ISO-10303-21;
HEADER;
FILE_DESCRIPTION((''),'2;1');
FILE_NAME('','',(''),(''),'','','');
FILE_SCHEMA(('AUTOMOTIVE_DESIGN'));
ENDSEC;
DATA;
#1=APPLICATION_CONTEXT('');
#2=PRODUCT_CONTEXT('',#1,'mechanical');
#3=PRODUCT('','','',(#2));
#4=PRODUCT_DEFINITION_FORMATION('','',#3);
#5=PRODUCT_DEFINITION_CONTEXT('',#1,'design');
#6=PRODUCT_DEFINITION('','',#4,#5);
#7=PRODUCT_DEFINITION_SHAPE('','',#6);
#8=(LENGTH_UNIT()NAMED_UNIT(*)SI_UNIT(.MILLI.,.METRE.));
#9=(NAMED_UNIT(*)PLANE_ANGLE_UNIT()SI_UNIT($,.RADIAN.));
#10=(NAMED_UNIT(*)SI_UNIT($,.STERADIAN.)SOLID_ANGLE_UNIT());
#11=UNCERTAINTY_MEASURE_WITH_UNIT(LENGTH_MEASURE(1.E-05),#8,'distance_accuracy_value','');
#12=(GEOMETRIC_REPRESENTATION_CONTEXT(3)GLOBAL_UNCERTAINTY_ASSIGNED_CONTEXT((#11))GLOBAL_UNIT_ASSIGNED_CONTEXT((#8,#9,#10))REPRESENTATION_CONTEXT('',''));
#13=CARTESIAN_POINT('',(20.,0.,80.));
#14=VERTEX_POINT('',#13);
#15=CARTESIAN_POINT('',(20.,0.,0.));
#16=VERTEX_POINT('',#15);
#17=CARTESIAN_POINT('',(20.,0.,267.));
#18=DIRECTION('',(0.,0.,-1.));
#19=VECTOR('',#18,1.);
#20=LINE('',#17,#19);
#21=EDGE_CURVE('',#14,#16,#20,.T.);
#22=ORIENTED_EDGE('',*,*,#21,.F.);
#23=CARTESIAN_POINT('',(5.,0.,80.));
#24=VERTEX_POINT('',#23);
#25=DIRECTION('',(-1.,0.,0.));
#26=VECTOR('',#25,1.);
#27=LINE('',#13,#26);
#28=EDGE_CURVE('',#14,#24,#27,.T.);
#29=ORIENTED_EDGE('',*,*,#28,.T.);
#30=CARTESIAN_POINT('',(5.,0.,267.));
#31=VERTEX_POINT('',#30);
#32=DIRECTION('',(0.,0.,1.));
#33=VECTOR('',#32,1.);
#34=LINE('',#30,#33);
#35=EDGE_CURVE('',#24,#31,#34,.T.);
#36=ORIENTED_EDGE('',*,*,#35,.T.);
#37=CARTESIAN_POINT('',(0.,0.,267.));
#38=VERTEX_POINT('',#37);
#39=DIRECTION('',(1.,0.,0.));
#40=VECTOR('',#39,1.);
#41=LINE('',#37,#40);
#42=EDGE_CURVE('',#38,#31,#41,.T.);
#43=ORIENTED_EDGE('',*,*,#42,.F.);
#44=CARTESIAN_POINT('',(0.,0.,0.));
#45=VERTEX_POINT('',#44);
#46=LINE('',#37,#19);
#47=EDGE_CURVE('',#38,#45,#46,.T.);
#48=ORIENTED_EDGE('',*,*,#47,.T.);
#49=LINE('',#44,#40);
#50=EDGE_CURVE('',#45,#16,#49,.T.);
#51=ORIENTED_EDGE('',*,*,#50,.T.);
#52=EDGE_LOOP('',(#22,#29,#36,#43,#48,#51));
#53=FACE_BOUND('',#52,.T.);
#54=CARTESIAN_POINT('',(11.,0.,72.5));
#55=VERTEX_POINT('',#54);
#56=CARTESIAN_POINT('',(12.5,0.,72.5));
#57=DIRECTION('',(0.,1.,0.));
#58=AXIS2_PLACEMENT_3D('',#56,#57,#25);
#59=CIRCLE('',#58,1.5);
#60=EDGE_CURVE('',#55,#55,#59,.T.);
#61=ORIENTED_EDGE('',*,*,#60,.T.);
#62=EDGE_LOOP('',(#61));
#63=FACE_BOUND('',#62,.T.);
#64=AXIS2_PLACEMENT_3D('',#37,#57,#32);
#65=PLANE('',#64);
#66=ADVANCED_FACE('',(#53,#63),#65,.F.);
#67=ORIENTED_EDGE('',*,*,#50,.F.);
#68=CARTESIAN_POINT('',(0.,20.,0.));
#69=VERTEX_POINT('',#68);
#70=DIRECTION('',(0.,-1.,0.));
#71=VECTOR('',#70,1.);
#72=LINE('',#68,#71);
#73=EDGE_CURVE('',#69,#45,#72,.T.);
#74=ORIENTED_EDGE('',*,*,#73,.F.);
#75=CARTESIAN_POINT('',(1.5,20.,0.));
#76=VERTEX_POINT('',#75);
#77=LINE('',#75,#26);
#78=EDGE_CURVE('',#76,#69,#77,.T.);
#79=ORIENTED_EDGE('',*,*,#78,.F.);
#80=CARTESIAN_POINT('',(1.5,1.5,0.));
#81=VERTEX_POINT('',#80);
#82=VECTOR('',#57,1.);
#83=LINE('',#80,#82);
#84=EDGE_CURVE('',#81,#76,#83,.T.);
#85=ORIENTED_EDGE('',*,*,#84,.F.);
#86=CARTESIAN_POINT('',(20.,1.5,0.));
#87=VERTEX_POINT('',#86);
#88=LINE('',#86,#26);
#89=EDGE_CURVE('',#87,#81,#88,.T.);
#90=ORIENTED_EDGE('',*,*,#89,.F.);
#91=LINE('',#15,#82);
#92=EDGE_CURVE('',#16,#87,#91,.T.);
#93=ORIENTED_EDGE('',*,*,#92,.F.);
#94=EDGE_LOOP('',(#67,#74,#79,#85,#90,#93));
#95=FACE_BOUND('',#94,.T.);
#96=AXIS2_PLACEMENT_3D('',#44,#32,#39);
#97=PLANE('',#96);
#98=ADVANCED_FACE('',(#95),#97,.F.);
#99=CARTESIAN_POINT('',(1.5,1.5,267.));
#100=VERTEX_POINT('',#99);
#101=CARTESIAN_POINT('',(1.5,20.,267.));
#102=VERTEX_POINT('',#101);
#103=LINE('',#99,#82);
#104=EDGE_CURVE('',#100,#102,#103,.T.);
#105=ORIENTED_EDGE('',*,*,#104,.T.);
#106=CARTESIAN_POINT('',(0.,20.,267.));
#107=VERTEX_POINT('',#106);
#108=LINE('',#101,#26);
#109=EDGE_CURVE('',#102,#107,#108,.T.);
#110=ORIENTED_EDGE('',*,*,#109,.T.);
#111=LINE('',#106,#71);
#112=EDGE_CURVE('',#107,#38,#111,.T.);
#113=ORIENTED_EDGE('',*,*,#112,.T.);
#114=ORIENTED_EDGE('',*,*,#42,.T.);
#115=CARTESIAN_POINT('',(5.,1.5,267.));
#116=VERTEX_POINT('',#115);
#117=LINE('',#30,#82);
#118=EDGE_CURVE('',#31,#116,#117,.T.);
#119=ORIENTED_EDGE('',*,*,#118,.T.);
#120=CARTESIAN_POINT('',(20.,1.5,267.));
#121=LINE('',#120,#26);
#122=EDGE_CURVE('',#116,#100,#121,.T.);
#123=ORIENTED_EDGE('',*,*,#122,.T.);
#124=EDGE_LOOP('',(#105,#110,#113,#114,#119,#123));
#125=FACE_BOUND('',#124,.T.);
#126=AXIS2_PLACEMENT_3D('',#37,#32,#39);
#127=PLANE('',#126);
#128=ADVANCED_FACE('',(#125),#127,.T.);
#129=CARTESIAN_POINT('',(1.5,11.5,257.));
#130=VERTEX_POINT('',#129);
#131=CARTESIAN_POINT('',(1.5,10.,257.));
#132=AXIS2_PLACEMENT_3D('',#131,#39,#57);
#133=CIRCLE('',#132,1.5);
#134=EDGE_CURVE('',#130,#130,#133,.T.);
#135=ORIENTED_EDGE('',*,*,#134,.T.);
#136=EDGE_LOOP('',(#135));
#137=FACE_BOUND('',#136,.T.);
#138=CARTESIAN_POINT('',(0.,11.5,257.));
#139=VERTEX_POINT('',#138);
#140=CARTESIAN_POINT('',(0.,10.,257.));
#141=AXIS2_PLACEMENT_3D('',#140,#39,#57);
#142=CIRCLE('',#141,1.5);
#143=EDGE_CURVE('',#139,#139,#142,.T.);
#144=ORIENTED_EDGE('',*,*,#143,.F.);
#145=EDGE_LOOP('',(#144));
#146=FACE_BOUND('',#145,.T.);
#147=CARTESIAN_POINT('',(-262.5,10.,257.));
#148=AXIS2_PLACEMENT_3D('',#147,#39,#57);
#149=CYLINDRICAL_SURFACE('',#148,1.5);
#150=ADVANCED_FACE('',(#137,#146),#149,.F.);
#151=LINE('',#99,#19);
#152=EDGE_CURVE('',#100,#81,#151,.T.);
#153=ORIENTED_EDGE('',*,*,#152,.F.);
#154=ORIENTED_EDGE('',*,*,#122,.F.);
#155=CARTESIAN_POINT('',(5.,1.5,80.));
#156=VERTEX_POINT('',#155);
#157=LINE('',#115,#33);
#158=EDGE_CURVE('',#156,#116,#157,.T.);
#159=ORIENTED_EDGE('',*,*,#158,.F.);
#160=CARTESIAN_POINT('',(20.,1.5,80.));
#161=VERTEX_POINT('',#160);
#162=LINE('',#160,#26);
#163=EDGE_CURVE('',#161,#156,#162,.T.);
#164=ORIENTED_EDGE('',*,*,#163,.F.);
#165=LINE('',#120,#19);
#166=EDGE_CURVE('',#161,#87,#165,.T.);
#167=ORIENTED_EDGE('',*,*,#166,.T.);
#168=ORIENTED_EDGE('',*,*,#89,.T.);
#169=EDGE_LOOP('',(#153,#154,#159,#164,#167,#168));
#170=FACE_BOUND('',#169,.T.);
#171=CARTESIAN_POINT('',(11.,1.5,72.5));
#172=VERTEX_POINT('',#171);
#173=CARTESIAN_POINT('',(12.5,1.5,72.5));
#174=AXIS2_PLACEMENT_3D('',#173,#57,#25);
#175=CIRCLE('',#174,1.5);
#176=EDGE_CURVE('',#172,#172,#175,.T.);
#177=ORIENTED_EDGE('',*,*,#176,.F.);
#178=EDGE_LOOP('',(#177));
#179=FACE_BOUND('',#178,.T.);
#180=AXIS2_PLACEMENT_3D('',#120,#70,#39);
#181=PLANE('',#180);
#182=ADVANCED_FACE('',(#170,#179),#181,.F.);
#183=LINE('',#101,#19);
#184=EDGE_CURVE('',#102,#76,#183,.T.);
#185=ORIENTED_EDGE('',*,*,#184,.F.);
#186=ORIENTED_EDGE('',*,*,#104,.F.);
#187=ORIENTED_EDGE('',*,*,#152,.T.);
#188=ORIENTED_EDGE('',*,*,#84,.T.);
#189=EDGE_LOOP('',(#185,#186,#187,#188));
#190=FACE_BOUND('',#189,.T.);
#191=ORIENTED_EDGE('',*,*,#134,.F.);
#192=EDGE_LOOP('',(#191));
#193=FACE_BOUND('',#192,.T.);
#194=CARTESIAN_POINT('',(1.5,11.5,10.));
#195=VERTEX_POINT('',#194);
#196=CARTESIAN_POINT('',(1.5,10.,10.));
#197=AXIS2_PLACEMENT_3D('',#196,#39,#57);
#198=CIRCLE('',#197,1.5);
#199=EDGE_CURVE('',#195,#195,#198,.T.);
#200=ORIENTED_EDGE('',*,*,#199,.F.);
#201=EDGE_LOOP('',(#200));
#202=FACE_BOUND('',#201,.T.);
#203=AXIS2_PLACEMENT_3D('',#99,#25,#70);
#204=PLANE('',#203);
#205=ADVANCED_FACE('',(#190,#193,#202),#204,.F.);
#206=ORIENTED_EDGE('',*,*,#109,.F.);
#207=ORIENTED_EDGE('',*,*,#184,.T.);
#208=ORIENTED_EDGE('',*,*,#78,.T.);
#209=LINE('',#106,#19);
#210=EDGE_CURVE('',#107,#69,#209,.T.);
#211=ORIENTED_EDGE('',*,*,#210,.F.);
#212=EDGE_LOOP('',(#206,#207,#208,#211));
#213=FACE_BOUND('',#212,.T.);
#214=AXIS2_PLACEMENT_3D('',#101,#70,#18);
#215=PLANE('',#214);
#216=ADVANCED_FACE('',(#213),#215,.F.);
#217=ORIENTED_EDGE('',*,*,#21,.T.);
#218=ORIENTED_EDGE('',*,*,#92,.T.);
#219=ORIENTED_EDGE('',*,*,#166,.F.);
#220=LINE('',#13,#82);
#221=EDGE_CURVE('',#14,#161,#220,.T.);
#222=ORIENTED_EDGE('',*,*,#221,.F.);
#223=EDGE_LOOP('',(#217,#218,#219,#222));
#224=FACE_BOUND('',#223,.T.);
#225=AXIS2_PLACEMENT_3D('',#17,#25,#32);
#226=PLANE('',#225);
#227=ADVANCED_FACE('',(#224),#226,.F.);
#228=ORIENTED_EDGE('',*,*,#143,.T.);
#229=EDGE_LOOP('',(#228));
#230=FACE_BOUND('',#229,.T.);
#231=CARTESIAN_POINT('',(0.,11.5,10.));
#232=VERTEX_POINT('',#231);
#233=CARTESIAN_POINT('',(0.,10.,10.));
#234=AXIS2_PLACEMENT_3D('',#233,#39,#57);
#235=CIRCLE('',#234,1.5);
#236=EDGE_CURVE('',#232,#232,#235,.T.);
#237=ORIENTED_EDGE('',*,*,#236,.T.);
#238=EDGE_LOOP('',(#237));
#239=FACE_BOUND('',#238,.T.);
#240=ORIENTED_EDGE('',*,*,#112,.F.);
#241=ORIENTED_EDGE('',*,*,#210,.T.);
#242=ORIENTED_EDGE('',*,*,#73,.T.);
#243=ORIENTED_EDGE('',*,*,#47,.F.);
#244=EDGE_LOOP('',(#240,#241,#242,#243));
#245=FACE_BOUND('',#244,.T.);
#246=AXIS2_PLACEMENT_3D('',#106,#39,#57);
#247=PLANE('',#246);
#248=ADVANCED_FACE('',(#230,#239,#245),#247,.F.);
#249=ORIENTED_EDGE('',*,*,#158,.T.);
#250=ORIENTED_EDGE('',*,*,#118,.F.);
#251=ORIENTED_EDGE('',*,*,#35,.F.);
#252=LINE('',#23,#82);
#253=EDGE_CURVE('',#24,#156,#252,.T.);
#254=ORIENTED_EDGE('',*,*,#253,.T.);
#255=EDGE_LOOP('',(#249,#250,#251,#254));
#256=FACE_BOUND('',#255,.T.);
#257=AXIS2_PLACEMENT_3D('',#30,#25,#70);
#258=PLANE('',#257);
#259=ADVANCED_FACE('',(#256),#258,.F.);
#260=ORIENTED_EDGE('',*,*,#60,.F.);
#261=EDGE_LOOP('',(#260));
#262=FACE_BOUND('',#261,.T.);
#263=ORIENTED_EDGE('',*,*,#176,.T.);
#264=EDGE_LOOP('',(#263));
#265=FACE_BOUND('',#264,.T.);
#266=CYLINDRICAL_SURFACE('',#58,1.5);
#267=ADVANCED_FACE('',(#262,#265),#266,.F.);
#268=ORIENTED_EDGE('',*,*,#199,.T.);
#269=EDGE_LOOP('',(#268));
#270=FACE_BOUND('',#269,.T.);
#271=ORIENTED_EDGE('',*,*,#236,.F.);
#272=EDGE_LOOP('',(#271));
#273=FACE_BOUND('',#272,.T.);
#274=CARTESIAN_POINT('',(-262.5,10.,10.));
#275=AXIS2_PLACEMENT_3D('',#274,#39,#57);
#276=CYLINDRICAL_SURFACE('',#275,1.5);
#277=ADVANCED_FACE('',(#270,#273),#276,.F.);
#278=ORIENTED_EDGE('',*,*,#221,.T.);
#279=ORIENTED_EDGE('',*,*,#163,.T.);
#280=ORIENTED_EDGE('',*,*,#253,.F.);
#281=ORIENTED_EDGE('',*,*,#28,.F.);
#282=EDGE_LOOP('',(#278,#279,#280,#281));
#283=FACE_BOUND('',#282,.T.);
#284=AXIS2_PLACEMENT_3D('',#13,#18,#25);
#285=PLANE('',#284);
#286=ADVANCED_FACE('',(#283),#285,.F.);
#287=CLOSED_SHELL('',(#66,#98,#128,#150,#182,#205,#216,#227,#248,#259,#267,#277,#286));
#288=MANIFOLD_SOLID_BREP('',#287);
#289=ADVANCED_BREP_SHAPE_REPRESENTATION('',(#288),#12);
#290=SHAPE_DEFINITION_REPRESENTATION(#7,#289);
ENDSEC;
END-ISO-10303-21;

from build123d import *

# Parameters (mm, degrees)
EXTRUSION1_DEPTH = 267
ESQUISSE2_R      = 1.5
ESQUISSE2_W      = 15
ESQUISSE2_H      = 187
EXTRUSION2_DEPTH = 269.38638192
ESQUISSE3_R      = 1.5
EXTRUSION3_DEPTH = 264


with BuildPart() as part:
    # Esquisse1 → Extrusion1 (new body)
    with BuildSketch(Plane.XY):
        Polygon((0, 0), (20, 0), (20, 1.5), (1.5, 1.5), (1.5, 20), (0, 20), align=None)
    extrude(amount=EXTRUSION1_DEPTH)

    # Esquisse2 → Extrusion2 (cut, through all)
    with BuildSketch(Plane(origin=(0, 1.5, 0), x_dir=(1, 0, 0), z_dir=(0, 1, 0))):
        with Locations(Location((12.5, -72.5, 0), (0, 0, 180))):
            Circle(ESQUISSE2_R)
        with Locations((12.5, -173.5)):
            Rectangle(ESQUISSE2_W, ESQUISSE2_H)
    extrude(amount=-EXTRUSION2_DEPTH, mode=Mode.SUBTRACT)

    # Esquisse3 → Extrusion3 (cut)
    with BuildSketch(Plane(origin=(1.5, 0, 0), x_dir=(0, 0, -1), z_dir=(1, 0, 0))):
        with Locations(Location((-257, 10, 0), (0, 0, 90))):
            Circle(ESQUISSE3_R)
        with Locations(Location((-10, 10, 0), (0, 0, 90))):
            Circle(ESQUISSE3_R)
    extrude(amount=-EXTRUSION3_DEPTH, mode=Mode.SUBTRACT)


solid = part.part
